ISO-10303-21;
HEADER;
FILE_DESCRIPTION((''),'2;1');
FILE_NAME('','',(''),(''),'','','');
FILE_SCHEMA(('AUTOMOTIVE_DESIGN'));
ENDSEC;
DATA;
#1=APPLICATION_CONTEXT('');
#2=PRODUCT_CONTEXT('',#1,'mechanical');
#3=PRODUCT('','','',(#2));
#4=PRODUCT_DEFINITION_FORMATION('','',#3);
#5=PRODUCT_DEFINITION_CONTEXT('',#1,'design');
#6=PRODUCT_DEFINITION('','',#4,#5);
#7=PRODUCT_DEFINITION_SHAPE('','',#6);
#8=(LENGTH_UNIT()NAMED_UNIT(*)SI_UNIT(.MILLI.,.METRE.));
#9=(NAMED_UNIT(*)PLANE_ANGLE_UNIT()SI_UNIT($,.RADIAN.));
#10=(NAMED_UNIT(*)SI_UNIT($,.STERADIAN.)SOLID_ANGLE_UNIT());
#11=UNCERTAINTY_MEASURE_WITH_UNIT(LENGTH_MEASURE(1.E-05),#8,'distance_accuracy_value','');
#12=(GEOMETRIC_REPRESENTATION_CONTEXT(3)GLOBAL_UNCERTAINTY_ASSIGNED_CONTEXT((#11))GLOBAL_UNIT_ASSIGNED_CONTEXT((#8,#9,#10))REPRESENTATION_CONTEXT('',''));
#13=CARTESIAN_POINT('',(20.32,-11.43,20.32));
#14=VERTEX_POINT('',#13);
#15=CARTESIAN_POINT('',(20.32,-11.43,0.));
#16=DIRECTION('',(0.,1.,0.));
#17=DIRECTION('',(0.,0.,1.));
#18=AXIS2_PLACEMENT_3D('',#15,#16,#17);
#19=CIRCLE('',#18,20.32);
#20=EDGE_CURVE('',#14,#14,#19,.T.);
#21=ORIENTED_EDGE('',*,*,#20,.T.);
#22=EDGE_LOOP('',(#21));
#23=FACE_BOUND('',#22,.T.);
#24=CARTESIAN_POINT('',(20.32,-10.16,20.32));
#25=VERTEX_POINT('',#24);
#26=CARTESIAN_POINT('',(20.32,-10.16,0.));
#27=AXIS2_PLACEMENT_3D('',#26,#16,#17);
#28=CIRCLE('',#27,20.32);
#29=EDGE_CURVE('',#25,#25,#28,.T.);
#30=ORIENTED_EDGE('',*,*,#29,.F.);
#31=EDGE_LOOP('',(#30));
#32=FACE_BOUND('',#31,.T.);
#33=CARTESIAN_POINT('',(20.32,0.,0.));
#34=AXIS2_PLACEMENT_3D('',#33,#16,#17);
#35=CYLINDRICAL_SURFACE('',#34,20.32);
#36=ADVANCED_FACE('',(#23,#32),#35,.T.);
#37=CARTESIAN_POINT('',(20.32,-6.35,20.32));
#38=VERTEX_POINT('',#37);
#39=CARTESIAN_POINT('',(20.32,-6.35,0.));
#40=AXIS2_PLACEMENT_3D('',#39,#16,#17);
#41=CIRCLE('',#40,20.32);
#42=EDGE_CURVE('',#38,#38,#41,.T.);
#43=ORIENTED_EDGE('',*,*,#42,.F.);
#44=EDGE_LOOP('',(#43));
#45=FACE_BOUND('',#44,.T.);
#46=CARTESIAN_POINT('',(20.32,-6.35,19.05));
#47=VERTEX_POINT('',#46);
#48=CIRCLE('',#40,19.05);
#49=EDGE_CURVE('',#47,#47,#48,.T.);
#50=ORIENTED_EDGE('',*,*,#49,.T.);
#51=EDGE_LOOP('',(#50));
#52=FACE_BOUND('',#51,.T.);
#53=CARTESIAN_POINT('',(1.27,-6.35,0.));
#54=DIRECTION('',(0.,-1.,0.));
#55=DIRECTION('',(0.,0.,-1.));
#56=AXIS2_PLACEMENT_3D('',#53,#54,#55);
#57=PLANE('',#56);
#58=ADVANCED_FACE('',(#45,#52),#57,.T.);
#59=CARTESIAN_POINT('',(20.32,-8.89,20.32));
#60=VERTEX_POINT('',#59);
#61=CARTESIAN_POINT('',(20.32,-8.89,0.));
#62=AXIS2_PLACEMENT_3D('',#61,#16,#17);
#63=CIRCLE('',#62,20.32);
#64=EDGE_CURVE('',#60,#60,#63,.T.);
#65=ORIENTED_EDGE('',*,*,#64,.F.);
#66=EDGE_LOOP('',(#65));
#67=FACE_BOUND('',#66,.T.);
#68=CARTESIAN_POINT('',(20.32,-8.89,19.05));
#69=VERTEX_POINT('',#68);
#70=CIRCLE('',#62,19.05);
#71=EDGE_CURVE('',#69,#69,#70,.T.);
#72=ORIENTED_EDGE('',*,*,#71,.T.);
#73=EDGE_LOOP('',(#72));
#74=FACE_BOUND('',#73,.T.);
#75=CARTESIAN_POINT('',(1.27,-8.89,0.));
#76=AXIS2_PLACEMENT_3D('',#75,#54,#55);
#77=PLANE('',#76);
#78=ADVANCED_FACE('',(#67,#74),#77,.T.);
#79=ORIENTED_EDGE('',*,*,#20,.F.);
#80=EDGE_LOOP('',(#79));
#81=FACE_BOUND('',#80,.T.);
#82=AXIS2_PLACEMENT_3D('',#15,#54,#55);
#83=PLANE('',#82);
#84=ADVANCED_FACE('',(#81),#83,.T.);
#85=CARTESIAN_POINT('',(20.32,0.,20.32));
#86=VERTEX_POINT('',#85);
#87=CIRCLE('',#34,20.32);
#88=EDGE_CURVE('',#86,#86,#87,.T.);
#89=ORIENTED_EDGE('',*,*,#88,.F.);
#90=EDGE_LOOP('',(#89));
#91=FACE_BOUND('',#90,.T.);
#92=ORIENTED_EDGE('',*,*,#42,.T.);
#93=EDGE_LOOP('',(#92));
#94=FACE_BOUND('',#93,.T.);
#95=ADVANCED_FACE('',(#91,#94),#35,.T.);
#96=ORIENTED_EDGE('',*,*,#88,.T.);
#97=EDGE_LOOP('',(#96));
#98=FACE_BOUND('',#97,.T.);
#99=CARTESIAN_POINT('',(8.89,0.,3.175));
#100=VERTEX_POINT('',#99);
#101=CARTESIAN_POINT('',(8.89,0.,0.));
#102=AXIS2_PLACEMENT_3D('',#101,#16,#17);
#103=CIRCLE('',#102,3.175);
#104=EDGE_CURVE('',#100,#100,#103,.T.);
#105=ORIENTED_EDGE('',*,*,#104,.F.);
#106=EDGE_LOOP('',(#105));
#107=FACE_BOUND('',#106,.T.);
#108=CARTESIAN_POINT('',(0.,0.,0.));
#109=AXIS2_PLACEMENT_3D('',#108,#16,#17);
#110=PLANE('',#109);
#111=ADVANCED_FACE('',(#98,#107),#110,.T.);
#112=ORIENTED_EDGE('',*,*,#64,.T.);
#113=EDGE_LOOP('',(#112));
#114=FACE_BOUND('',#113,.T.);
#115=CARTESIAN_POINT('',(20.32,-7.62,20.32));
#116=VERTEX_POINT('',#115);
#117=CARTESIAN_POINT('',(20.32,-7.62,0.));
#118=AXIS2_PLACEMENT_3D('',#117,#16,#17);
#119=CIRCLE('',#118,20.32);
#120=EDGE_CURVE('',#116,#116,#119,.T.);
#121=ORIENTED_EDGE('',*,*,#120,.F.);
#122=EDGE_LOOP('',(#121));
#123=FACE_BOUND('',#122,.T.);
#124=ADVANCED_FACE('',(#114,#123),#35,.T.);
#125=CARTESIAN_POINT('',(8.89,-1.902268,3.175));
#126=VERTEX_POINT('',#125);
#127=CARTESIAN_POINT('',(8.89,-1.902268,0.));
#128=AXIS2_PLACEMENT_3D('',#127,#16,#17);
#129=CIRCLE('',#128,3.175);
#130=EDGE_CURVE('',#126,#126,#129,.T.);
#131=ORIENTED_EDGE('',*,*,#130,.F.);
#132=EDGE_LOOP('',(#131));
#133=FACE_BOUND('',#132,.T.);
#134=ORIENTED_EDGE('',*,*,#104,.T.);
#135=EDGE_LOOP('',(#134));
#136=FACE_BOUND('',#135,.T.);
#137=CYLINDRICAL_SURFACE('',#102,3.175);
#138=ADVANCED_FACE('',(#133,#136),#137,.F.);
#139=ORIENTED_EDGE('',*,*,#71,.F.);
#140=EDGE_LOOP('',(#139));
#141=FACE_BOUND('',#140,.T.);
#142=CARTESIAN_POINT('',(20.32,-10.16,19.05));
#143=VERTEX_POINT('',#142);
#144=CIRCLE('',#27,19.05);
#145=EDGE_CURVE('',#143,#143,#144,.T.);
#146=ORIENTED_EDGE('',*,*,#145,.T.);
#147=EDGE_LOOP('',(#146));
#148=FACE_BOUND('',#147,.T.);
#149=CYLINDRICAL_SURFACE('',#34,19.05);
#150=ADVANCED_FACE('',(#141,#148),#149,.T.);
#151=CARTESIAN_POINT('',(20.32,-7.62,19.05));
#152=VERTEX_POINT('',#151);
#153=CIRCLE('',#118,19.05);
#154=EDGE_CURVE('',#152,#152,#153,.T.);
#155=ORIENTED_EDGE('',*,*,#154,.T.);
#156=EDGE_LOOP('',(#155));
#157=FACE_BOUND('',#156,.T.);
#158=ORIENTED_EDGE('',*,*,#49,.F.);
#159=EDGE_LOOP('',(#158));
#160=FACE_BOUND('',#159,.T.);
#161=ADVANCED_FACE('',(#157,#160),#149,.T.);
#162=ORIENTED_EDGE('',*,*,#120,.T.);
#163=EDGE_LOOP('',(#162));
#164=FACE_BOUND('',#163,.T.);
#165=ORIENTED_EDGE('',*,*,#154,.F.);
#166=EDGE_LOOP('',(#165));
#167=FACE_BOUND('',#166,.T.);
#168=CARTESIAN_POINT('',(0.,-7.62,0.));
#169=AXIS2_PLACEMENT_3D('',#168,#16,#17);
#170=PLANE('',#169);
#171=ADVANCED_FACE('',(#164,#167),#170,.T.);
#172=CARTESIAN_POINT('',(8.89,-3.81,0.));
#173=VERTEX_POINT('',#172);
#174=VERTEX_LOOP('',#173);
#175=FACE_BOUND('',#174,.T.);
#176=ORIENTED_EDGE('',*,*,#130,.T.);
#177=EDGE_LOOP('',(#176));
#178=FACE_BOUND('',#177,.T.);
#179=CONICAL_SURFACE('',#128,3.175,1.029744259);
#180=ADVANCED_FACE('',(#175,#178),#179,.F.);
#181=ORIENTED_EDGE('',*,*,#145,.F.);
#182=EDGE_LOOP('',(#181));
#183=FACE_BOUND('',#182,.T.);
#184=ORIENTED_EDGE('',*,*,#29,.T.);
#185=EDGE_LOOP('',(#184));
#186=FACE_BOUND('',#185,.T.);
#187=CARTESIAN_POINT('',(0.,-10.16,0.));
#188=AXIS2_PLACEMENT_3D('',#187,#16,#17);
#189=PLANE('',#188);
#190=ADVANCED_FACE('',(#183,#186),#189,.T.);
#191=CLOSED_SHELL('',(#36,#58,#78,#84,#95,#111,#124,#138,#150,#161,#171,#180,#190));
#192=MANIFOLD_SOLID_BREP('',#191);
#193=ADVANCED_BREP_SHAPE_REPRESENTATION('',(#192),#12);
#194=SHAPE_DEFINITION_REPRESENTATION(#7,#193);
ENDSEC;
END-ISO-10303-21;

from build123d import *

# Parameters (mm, degrees)
F_1_4_0_25_DIAMETER_HOLE6_D     = 6.35
F_1_4_0_25_DIAMETER_HOLE6_DEPTH = 1.902267535
F_1_4_0_25_DIAMETER_HOLE6_TIP   = 1.907732465


with BuildPart() as part:
    # Sketch2 → base_revolve (revolve)
    with BuildSketch(Plane.XY, mode=Mode.PRIVATE) as base_revolve_sk:
        Polygon((20.32, 0), (20.32, -11.43), (0, -11.43), (0, -10.16), (1.27, -10.16), (1.27, -8.89), (0, -8.89), (0, -7.62), (1.27, -7.62), (1.27, -6.35), (0, -6.35), (0, 0), align=None)
    revolve(base_revolve_sk.sketch.rotate(Axis((20.32, 0, 0), (0, -1, 0)), 270), axis=Axis((20.32, 0, 0), (0, -1, 0)))

    # 1/4 (0.25) Diameter Hole6
    with Locations(Plane(origin=(0, 0, 0), x_dir=(1, 0, 0), z_dir=(0, 1, 0))):
        with Locations((8.89, 0)):
            Hole(F_1_4_0_25_DIAMETER_HOLE6_D / 2, depth=F_1_4_0_25_DIAMETER_HOLE6_DEPTH)
            with Locations((0, 0, -(F_1_4_0_25_DIAMETER_HOLE6_DEPTH + F_1_4_0_25_DIAMETER_HOLE6_TIP / 2))):  # 118° drill point
                Cone(0, F_1_4_0_25_DIAMETER_HOLE6_D / 2, F_1_4_0_25_DIAMETER_HOLE6_TIP, mode=Mode.SUBTRACT)


solid = part.part
